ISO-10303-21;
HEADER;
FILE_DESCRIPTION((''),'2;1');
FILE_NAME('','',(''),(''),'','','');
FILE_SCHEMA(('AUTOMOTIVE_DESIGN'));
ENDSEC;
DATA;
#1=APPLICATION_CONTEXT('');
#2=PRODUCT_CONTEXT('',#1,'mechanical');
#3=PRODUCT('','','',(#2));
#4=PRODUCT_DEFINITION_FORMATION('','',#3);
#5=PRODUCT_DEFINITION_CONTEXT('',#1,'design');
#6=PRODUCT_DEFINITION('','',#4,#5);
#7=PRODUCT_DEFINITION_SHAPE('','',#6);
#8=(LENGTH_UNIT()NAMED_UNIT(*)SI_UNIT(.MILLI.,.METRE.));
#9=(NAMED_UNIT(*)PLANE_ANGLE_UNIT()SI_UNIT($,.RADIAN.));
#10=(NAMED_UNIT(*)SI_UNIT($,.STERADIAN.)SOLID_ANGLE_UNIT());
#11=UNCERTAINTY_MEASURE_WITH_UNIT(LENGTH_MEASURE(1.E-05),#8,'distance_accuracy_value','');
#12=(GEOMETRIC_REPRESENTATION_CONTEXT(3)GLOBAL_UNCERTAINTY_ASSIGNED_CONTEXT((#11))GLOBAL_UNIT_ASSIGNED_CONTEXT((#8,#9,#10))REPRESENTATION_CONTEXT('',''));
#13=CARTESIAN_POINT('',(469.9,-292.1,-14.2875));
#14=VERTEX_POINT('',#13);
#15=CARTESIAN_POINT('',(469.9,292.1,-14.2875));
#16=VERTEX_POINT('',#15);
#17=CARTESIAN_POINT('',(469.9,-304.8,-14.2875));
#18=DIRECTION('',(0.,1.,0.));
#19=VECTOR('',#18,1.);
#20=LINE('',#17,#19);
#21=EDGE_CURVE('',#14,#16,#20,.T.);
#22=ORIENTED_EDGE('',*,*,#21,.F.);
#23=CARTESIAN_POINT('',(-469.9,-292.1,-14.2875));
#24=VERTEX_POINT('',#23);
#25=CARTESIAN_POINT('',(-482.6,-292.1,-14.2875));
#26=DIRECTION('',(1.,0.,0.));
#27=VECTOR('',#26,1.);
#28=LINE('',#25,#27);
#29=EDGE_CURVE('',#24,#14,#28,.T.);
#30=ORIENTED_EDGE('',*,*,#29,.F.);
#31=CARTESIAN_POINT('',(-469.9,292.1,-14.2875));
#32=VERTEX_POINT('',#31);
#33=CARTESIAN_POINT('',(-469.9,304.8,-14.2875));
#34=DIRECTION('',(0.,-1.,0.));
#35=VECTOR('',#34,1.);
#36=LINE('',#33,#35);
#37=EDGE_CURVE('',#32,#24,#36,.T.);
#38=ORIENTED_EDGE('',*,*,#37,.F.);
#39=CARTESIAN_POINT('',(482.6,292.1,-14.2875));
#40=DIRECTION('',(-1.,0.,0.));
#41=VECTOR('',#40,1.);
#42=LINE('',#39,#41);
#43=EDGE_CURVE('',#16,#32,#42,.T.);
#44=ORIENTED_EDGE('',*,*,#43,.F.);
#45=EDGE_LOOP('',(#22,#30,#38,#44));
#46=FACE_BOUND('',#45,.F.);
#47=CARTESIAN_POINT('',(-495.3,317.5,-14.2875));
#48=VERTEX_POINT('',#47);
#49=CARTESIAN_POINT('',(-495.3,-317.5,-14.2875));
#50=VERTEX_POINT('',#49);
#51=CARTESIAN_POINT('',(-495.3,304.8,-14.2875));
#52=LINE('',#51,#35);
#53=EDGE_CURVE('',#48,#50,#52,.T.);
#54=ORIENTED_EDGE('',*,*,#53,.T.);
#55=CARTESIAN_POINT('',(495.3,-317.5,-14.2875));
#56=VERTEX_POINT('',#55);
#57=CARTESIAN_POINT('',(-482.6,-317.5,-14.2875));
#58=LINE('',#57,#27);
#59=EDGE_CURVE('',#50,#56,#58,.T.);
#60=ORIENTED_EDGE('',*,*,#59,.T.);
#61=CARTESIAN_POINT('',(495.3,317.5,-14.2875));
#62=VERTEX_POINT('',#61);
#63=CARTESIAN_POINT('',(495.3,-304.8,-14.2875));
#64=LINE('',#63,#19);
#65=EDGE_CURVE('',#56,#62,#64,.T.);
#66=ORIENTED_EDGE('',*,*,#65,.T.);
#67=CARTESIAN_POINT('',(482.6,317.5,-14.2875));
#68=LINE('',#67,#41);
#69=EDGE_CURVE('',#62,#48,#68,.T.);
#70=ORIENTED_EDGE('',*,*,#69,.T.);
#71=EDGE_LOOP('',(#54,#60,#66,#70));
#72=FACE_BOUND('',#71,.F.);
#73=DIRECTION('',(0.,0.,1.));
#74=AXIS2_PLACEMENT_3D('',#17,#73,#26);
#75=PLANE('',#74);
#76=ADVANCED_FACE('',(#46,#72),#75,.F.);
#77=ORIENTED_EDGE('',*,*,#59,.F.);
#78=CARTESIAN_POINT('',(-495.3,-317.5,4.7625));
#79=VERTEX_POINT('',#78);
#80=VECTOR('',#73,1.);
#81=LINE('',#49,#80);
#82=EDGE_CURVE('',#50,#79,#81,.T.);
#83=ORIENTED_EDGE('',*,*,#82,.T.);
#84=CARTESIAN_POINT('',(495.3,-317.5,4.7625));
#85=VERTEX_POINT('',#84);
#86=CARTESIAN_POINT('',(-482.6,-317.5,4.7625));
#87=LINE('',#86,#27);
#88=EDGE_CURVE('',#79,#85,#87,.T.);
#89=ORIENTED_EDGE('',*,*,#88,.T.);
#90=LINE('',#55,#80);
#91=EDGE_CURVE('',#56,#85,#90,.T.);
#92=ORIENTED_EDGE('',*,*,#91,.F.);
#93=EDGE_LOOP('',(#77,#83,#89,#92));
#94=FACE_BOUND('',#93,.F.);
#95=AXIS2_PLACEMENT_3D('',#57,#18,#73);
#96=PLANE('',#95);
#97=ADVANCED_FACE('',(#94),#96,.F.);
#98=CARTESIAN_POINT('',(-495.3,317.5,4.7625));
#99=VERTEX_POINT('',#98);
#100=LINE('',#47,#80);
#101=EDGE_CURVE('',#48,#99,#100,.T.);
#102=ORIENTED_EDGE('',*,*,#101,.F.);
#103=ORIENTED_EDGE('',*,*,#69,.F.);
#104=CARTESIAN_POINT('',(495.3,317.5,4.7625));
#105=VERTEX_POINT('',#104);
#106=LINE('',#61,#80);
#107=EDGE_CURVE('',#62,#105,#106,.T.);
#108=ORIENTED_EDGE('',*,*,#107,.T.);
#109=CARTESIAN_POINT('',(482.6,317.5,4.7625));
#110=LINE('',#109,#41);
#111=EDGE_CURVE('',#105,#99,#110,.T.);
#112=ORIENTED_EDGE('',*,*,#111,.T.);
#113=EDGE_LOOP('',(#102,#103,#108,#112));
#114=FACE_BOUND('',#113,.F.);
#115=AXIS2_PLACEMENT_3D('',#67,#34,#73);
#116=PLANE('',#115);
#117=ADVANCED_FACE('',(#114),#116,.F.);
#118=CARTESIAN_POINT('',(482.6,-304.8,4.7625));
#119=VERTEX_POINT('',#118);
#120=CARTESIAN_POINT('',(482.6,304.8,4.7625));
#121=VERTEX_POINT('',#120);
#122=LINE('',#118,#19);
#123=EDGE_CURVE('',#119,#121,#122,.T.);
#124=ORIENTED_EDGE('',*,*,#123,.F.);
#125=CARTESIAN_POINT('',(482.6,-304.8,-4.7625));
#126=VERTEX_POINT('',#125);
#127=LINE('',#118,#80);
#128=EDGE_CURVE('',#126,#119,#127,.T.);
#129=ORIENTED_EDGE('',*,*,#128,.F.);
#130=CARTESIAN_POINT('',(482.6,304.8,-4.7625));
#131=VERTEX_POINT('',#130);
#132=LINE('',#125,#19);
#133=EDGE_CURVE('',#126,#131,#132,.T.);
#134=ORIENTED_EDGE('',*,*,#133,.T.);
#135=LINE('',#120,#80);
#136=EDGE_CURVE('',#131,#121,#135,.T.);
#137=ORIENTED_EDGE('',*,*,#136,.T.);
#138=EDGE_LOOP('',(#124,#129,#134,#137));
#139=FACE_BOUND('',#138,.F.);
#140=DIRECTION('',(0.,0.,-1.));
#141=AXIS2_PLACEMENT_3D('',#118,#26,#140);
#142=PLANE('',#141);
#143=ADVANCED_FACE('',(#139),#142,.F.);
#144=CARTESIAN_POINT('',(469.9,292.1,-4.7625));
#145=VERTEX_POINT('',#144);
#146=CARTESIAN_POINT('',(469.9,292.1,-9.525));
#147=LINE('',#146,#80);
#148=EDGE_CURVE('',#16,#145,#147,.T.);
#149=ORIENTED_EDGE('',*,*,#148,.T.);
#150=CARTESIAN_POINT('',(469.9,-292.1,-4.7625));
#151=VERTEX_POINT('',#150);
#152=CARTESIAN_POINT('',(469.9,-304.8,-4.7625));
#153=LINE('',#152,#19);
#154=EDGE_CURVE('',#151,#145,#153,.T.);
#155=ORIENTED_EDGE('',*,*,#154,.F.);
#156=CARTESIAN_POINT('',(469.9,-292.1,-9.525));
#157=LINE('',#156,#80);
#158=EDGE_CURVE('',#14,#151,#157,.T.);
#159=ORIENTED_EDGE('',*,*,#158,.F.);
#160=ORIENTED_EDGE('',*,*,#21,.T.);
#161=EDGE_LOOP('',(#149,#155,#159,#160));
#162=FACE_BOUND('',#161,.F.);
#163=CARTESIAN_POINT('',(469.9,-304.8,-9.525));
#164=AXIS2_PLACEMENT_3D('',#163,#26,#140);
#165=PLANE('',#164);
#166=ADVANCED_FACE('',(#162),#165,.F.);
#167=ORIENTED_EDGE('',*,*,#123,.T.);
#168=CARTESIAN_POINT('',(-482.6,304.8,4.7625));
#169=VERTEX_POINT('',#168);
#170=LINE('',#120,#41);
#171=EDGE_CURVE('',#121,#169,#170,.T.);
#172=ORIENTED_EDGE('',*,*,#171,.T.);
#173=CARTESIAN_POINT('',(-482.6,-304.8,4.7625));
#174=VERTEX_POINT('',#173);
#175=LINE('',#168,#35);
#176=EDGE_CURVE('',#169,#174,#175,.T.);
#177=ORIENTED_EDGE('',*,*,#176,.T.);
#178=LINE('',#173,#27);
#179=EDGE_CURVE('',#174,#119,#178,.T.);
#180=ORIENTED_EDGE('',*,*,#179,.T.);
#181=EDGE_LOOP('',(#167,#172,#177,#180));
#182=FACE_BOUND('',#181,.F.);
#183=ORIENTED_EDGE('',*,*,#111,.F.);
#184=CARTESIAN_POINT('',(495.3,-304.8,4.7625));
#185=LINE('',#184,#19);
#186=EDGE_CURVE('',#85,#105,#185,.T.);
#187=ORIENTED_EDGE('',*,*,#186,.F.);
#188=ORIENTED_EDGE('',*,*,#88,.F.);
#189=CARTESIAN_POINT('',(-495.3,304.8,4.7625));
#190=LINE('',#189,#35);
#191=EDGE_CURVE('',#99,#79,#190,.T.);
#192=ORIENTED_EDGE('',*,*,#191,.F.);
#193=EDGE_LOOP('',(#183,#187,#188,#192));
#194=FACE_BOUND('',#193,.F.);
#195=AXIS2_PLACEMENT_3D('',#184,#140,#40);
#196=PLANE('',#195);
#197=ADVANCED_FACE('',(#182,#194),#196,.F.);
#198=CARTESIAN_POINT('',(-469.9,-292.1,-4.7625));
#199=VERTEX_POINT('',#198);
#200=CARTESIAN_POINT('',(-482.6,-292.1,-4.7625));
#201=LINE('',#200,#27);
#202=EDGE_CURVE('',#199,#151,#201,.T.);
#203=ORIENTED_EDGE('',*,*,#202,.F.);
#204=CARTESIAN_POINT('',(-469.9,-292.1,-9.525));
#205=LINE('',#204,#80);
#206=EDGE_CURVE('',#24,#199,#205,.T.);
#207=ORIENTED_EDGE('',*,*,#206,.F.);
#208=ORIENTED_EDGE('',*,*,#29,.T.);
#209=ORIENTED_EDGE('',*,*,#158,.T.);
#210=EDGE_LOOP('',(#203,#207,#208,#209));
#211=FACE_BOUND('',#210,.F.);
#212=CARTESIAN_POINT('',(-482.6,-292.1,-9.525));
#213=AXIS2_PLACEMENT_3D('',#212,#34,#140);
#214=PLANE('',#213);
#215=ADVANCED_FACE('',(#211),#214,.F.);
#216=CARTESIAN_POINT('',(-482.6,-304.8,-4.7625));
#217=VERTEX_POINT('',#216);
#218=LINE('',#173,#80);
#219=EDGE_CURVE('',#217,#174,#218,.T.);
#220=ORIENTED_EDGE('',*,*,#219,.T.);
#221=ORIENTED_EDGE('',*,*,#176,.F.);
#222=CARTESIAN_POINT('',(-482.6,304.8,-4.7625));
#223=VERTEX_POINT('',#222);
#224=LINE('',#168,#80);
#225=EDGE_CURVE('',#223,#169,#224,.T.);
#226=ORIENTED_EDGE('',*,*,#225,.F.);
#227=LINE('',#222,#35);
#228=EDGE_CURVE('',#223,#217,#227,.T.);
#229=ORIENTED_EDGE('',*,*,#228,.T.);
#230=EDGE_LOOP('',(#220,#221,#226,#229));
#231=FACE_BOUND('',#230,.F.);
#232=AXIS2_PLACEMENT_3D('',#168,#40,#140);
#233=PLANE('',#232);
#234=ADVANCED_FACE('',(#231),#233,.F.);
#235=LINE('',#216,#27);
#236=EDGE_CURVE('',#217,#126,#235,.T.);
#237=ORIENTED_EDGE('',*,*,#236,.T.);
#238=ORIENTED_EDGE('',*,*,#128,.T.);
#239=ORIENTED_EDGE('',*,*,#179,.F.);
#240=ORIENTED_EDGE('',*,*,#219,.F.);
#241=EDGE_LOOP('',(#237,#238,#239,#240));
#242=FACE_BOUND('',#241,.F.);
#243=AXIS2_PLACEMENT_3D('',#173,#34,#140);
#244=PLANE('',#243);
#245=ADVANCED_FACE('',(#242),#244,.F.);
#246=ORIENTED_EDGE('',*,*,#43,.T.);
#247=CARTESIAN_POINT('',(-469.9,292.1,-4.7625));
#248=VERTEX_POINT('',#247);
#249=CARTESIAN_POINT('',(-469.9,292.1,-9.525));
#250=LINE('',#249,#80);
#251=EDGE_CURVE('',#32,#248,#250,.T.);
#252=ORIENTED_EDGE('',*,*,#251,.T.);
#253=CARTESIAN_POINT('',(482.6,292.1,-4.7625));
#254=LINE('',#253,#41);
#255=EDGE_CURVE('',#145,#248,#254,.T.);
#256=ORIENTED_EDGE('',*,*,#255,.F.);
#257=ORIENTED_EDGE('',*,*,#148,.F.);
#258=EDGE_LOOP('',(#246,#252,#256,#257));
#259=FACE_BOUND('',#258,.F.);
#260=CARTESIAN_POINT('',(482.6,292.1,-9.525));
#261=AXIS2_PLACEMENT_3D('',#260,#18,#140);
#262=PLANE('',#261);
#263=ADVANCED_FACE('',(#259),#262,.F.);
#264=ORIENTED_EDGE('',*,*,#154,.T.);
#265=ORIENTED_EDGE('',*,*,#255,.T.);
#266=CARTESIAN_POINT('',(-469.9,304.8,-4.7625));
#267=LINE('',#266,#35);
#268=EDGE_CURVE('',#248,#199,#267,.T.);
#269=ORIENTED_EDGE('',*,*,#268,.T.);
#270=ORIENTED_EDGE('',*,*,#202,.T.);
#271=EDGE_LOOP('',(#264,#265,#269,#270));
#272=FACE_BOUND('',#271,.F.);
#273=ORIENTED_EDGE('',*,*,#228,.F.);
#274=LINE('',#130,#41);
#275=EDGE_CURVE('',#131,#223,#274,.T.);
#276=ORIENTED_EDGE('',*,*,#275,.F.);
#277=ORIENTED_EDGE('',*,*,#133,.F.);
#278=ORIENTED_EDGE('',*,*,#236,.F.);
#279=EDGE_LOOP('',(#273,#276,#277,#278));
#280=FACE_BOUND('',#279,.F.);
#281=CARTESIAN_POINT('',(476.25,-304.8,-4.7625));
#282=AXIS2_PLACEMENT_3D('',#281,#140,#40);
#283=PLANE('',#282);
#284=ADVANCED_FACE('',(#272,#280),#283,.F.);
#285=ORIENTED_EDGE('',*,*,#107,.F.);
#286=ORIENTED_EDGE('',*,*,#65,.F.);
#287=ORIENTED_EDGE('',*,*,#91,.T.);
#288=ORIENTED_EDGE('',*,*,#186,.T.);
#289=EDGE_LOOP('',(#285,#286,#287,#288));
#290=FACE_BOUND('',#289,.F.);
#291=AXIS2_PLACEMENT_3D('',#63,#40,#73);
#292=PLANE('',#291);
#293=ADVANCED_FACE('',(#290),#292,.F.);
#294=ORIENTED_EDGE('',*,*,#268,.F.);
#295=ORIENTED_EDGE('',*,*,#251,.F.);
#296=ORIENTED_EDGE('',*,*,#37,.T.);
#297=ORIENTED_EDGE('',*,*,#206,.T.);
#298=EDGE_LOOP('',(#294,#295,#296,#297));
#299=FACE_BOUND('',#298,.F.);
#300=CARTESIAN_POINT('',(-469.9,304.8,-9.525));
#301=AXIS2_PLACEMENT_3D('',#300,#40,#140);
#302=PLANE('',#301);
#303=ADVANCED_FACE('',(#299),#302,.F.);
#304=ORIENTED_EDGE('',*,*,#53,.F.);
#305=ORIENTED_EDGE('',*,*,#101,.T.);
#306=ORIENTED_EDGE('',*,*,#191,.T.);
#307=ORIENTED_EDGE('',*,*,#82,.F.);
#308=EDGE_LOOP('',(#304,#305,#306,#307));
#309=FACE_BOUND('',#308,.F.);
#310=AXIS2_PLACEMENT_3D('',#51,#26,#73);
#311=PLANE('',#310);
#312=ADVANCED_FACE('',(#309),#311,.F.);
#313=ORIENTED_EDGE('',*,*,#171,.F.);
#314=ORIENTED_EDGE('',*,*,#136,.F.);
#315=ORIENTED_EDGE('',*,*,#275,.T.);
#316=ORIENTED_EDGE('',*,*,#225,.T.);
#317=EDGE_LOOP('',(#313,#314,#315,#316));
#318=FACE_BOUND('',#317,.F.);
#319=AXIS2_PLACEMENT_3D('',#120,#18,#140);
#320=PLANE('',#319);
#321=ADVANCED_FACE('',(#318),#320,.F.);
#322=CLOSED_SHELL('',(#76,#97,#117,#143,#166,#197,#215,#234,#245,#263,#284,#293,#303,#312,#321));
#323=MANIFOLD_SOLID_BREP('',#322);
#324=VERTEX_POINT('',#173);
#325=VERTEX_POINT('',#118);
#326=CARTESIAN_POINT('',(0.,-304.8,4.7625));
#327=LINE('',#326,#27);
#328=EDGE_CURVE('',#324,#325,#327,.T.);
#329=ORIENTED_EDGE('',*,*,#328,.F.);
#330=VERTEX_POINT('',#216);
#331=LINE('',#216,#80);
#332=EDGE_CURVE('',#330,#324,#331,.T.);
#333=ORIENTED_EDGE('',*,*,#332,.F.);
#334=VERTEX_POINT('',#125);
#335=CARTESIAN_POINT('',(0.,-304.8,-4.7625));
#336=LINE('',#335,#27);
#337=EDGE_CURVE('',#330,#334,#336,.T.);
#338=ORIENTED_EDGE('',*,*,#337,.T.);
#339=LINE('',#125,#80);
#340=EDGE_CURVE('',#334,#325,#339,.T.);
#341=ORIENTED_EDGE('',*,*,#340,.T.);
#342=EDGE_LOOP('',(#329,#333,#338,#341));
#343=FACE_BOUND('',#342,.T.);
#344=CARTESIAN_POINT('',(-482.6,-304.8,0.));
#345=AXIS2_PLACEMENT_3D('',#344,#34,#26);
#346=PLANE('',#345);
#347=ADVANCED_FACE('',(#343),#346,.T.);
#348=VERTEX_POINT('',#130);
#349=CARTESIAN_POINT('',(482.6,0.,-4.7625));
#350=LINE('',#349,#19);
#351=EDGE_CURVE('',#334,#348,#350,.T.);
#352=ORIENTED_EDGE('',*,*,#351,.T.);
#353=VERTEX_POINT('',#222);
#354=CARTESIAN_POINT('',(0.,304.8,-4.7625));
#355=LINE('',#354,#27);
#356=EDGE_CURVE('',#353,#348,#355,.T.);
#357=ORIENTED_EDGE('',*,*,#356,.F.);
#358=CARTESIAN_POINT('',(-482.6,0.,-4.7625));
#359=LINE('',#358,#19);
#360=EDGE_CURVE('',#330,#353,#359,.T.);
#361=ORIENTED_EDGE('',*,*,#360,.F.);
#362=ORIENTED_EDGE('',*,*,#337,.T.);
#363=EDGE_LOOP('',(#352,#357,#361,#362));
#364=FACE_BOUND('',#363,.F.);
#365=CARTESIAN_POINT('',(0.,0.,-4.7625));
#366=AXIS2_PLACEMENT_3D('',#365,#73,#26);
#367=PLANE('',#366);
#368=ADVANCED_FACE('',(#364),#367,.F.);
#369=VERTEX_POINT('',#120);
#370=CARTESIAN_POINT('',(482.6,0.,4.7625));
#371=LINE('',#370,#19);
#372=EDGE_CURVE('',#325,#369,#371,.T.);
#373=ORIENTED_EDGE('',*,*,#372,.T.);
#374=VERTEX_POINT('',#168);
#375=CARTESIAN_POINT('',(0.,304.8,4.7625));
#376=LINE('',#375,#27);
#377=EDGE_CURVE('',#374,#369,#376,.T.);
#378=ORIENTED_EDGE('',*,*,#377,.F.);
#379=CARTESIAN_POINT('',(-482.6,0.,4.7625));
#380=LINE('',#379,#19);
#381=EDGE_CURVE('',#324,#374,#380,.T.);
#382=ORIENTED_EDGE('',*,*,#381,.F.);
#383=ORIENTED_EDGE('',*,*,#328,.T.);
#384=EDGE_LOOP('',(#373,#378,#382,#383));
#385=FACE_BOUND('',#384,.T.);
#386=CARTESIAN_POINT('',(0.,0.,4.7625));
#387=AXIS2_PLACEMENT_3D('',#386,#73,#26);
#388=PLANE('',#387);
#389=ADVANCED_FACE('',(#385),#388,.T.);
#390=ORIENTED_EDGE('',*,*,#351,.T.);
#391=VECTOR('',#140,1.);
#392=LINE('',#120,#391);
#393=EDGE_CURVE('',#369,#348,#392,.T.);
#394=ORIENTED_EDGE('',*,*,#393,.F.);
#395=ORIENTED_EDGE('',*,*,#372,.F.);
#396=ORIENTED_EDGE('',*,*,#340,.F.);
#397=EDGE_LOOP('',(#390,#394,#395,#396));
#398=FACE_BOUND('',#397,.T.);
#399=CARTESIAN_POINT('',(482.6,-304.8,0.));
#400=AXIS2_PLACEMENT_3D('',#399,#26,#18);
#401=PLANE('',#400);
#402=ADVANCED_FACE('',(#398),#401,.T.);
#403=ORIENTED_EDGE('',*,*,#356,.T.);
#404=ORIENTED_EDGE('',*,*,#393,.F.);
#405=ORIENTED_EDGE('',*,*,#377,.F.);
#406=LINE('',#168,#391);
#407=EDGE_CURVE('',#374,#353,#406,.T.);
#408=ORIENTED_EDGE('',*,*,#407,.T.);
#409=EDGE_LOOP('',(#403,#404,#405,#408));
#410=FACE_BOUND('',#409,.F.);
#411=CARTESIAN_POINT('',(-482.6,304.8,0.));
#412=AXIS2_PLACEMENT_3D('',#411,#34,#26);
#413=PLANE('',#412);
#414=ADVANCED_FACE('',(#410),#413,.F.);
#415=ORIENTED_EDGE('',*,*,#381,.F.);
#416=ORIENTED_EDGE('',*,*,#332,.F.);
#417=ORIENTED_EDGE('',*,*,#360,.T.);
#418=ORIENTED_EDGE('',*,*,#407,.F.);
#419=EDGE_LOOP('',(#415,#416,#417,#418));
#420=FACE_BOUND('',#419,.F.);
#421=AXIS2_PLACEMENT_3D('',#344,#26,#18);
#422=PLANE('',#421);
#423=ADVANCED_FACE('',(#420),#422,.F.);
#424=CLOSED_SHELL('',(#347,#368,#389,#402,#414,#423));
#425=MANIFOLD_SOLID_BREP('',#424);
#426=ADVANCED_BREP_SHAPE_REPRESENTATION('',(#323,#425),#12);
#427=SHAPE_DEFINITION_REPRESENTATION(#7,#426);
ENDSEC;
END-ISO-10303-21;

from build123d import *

# Parameters (mm, degrees)
F0_W     = 965.2
F0_H     = 609.6
F1_DEPTH = 4.7625
F2_W     = 12.7
F2_H     = 9.525


with BuildPart() as f1:
    # F0 (on Top) → F1 (new body, symmetric)
    with BuildSketch(Plane.XY):
        Rectangle(F0_W, F0_H)
    extrude(amount=F1_DEPTH, both=True)


with BuildPart() as f3:
    # F3: sweep along a path in F3_path
    with BuildLine(Plane(origin=(482.6, -304.8, 4.7625), x_dir=(0, -1, 0), z_dir=(0, 0, -1))) as f3_path:
        Line((0, 0), (-609.6, 0))
        Line((-609.6, 0), (-609.6, 965.2))
        Line((-609.6, 965.2), (0, 965.2))
        Line((0, 965.2), (0, 0))
    # F2 (on Front) → F3 (sweep)
    with BuildSketch(Plane.XZ):
        Polygon((482.6, 4.7625), (482.6, -4.7625), (482.6, -14.2875), (495.3, -14.2875), (495.3, 4.7625), align=None)
        with Locations((476.25, -9.525)):
            Rectangle(F2_W, F2_H)
    sweep(path=f3_path.line, transition=Transition.RIGHT)


solid = Compound([f1.part, f3.part])
